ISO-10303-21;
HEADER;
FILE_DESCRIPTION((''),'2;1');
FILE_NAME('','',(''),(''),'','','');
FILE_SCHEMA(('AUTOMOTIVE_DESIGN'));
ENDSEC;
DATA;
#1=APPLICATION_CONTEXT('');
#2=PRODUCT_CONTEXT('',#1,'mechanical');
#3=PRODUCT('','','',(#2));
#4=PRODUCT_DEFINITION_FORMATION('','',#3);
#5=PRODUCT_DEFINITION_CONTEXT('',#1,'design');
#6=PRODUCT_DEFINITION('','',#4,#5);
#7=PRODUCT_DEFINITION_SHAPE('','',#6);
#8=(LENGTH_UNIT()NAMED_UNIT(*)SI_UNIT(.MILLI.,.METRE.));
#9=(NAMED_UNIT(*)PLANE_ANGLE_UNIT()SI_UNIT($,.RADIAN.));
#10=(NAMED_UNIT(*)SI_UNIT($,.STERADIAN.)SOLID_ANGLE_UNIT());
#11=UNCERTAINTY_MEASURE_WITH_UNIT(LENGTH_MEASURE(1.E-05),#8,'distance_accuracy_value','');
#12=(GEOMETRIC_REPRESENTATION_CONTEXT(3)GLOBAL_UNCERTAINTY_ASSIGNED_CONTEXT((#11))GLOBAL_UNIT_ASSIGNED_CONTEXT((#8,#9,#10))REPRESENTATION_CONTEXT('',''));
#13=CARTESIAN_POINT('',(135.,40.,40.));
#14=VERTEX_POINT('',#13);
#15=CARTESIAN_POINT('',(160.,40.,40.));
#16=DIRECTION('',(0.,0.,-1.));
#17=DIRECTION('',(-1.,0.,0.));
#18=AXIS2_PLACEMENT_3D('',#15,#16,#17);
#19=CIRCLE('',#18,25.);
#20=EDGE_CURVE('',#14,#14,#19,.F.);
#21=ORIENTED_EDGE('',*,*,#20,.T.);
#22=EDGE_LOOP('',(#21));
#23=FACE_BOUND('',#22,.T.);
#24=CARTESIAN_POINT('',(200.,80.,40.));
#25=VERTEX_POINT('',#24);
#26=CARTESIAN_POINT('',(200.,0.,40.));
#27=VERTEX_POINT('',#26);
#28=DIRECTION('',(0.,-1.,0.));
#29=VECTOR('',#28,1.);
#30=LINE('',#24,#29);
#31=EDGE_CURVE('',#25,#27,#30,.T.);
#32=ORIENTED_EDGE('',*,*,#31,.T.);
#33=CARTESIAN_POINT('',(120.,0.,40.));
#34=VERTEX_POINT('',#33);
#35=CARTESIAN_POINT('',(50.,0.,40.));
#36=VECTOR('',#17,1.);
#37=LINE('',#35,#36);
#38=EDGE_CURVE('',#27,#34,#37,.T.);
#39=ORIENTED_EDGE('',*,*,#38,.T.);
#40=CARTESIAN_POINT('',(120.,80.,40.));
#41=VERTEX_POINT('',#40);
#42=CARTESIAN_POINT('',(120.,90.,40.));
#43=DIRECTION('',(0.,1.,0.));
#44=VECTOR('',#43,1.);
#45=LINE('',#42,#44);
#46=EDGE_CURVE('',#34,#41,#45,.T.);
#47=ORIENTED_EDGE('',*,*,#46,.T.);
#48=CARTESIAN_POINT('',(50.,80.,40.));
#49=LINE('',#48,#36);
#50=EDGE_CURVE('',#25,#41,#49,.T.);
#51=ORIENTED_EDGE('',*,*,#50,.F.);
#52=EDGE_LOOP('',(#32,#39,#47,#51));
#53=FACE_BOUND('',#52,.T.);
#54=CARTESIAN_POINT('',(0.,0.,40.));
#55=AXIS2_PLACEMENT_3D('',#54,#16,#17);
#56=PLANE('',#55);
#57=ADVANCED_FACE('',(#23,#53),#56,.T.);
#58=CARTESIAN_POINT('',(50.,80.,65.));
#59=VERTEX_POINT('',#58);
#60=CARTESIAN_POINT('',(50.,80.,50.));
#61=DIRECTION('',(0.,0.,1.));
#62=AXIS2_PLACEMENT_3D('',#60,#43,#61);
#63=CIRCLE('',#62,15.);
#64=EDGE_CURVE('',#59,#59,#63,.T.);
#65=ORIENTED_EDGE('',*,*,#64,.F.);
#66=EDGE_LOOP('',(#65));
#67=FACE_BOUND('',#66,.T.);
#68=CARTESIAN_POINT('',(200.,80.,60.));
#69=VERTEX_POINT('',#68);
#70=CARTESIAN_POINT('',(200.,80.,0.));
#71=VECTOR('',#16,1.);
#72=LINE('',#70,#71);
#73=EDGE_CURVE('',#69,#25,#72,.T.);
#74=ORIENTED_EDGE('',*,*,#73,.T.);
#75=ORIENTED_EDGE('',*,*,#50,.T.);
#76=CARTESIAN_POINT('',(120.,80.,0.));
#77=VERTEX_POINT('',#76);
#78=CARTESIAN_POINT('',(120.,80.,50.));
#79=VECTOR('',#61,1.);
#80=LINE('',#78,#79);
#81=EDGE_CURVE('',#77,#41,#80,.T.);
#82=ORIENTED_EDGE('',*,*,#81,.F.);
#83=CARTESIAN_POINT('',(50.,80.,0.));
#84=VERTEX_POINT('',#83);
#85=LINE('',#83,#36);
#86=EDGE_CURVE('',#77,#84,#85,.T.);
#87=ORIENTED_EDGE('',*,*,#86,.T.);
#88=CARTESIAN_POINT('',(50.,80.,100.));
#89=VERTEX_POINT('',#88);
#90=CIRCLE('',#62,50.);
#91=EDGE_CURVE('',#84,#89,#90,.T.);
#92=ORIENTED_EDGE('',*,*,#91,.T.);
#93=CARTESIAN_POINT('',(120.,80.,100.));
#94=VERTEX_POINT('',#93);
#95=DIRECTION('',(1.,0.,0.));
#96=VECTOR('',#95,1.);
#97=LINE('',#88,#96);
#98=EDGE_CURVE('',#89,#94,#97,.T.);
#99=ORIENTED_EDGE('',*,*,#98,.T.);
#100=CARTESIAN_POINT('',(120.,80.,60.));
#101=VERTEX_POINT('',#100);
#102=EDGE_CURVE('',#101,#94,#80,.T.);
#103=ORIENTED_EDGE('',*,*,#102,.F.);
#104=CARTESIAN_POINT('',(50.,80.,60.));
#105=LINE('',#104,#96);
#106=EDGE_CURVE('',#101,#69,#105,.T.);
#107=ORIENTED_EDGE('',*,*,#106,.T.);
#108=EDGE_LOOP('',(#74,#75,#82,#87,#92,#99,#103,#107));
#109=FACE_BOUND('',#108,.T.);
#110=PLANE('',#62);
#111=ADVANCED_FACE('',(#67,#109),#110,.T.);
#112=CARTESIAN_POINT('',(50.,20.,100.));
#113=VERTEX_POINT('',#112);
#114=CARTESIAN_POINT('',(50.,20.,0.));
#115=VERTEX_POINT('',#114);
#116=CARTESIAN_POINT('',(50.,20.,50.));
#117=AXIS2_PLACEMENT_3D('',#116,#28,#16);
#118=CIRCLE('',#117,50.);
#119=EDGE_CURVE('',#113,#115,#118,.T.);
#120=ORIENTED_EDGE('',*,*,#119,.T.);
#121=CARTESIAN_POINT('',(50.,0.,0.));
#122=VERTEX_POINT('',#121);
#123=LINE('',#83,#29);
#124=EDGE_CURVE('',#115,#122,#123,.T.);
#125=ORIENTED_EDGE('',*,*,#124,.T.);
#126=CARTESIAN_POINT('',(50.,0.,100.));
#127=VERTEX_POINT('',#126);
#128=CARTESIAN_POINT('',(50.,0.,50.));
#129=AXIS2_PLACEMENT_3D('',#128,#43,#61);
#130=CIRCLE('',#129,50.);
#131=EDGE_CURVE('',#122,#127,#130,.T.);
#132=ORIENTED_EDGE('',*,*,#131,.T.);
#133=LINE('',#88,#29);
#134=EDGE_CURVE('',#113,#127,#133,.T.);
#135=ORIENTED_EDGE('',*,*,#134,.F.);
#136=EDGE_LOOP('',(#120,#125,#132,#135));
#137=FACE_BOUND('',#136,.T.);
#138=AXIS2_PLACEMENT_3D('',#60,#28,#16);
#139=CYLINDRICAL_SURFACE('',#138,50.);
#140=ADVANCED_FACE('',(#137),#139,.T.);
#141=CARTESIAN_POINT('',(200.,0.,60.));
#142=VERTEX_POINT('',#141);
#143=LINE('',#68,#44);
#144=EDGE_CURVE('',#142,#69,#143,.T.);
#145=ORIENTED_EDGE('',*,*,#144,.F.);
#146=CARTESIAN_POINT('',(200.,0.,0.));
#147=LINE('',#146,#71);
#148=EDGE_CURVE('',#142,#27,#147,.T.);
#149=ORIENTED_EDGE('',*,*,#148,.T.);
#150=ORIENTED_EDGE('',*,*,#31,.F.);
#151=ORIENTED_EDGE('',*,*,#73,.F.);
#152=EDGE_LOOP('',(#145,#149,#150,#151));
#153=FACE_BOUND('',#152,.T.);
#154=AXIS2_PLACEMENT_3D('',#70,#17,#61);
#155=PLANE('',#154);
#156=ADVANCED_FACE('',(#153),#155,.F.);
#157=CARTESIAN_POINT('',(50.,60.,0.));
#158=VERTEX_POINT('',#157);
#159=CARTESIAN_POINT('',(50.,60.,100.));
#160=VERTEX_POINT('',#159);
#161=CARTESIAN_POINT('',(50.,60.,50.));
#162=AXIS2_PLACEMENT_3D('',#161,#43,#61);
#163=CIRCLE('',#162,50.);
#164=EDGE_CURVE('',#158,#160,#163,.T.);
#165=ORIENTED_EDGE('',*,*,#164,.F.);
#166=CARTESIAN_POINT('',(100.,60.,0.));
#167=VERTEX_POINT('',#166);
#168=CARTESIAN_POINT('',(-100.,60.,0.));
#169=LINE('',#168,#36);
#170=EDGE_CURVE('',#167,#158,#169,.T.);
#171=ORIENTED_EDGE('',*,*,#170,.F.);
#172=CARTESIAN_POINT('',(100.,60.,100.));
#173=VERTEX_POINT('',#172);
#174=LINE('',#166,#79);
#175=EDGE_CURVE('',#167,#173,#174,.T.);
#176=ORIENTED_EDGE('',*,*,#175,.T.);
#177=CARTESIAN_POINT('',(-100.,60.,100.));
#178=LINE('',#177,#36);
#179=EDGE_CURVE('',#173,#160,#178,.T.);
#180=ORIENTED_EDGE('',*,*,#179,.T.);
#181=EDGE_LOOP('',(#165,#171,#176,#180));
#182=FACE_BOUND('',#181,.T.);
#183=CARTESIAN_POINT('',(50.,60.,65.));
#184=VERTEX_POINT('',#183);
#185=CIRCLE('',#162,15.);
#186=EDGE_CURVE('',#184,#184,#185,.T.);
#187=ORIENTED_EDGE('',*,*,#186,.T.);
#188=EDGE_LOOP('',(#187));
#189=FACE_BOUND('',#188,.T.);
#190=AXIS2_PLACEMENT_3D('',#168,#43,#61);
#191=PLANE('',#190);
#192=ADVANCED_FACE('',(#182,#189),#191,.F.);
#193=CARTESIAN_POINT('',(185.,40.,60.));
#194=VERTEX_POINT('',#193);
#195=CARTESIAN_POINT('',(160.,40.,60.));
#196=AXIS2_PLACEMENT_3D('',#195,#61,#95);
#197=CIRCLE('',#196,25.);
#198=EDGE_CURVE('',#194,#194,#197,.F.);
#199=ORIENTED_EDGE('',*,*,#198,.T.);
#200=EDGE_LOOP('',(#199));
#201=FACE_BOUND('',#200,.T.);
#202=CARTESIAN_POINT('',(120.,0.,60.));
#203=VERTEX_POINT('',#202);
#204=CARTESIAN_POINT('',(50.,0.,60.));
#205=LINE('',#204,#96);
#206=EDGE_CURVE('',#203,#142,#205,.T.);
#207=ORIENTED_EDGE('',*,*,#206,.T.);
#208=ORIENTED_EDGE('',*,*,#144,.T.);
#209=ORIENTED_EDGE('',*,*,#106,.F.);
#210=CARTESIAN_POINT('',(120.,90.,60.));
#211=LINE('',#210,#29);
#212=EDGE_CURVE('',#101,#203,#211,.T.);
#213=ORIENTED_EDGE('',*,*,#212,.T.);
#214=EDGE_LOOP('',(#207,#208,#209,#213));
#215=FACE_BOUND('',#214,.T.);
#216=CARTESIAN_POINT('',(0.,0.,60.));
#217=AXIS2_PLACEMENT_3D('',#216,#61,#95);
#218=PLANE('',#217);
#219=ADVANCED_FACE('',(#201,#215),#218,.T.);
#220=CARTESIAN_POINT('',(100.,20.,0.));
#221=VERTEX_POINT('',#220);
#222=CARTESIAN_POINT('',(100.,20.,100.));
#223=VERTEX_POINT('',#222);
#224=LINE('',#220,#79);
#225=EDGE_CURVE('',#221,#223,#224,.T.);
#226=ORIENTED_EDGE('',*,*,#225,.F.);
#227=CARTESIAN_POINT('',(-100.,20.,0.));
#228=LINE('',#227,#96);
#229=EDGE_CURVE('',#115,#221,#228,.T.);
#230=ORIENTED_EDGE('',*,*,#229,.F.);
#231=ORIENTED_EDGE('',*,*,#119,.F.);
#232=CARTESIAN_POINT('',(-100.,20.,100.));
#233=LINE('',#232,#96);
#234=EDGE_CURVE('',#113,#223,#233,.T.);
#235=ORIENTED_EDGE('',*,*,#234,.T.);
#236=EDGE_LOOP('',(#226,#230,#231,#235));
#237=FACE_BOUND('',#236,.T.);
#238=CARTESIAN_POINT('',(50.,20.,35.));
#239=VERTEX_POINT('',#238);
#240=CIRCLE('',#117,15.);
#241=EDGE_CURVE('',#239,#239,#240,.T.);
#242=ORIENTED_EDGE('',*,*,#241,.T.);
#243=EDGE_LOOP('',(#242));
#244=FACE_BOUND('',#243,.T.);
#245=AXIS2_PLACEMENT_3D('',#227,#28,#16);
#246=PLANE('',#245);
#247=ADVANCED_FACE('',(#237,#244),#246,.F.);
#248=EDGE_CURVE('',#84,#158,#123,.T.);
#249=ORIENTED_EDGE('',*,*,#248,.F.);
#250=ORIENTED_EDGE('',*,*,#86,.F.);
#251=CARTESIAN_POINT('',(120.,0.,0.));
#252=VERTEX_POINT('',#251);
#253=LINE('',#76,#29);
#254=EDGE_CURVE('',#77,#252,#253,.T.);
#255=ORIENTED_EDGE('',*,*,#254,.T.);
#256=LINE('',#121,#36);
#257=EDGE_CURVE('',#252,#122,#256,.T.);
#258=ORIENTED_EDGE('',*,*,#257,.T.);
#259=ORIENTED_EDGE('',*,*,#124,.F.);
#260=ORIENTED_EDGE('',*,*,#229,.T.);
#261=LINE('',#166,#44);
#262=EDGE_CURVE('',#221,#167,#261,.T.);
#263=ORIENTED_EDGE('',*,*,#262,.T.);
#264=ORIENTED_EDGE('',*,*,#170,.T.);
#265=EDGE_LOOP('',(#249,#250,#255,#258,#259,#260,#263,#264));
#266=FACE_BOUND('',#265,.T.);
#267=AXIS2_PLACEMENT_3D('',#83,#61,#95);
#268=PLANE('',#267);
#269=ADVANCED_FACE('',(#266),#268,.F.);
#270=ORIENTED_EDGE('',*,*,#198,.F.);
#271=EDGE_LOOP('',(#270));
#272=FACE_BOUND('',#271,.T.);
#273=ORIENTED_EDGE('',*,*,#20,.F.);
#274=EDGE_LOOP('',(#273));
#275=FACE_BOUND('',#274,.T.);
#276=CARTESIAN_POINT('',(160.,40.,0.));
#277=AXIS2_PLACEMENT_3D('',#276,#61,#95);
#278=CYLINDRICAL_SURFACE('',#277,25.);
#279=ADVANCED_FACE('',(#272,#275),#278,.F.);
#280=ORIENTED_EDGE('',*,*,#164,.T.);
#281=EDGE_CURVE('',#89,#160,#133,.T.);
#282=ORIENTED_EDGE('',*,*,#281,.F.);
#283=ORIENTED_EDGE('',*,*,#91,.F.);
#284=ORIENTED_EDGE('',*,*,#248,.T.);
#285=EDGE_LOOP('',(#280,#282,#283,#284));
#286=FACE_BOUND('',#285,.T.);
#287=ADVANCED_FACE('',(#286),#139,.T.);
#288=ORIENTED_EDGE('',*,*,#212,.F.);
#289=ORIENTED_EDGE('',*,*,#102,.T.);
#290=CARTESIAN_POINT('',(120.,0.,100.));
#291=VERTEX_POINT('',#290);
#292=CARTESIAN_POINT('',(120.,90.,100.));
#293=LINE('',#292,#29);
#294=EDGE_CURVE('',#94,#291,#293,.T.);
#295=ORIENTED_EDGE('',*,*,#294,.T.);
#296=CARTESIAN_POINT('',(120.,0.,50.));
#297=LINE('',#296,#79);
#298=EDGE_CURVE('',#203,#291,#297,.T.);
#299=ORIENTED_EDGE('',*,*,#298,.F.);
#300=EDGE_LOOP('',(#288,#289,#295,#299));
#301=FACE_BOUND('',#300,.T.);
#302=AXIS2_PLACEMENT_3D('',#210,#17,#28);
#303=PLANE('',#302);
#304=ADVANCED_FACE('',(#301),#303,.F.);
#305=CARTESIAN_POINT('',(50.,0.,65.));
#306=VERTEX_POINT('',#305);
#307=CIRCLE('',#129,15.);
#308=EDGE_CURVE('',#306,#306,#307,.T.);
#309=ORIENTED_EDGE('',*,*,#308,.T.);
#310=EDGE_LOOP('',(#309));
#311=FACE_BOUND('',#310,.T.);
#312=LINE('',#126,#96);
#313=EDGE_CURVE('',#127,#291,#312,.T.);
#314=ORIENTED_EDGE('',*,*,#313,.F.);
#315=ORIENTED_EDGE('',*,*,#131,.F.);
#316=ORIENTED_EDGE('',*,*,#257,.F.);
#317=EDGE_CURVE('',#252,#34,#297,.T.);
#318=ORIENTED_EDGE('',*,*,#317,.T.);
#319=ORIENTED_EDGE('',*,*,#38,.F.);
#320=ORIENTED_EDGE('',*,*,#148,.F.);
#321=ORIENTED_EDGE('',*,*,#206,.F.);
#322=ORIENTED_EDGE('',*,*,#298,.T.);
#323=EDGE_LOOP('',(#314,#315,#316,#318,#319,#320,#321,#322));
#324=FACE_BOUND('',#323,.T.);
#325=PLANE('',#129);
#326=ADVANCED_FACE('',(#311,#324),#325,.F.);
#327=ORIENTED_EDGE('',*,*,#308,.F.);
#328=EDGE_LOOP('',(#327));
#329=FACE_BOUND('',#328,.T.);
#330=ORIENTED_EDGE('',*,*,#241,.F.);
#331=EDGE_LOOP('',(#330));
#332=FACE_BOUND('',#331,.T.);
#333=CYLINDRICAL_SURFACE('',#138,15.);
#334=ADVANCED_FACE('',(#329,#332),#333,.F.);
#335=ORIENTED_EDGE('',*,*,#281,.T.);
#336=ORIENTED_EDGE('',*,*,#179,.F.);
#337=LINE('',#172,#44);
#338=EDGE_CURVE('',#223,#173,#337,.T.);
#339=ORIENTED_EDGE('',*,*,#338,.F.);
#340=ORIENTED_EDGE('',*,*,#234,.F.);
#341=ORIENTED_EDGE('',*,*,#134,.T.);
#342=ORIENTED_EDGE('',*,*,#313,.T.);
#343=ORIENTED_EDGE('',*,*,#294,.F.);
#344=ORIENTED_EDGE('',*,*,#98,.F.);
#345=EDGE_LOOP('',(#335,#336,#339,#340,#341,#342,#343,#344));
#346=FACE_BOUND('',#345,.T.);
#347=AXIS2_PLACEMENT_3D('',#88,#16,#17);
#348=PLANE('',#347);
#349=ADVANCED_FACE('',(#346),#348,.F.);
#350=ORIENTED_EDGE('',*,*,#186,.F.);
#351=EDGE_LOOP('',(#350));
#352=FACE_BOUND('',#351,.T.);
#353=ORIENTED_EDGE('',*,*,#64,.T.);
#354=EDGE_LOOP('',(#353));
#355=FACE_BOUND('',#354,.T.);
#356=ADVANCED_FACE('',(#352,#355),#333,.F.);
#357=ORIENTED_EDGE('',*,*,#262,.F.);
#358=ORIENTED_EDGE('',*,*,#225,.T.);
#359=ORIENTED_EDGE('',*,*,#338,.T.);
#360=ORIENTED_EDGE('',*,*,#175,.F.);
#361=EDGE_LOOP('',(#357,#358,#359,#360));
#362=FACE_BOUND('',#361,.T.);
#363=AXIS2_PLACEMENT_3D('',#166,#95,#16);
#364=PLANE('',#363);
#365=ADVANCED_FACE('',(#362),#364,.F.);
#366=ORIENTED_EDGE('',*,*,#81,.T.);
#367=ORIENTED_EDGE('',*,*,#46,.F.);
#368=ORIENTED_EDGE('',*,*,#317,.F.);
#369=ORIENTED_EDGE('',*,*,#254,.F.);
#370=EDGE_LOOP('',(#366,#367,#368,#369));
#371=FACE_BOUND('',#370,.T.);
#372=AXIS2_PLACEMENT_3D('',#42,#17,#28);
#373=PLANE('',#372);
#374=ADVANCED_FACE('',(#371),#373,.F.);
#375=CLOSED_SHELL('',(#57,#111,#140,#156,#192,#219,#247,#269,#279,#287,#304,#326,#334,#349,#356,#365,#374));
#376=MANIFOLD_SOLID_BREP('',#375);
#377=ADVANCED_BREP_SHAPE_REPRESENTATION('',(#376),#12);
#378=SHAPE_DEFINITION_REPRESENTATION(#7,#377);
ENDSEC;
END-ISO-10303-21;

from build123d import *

# Parameters (mm, degrees)
SKETCH_1_R          = 15
EXTRUDE_1_DEPTH     = 80
SKETCH_5_R          = 25
SKETCH_5_W          = 200
SKETCH_5_H          = 40
CUT_EXTRUDE_5_DEPTH = 100
SKETCH_6_W          = 100
SKETCH_6_H          = 100
CUT_EXTRUDE_7_DEPTH = 40
SKETCH_8_W          = 100
SKETCH_8_H          = 100
CUT_EXTRUDE_8_DEPTH = 40


with BuildPart() as part:
    # 草图1 → 凸台-拉伸1 (new body)
    with BuildSketch(Plane(origin=(0, 0, 0), x_dir=(1, 0, 0), z_dir=(0, 1, 0))):
        with BuildLine():
            Line((50, 0), (200, 0))
            Line((200, 0), (200, -100))
            Line((200, -100), (50, -100))
            ThreePointArc((50, -100), (0, -50), (50, 0))
        make_face()
        with Locations(Location((50, -50, 0), (0, 0, 270))):
            Circle(SKETCH_1_R, mode=Mode.SUBTRACT)
    extrude(amount=EXTRUDE_1_DEPTH)

    # 草图5 → 切除-拉伸5 (cut)
    with BuildSketch(Plane.XY.offset(100)):
        with Locations((160, 40)):
            Circle(SKETCH_5_R)
        with Locations((0, 40)):
            Rectangle(SKETCH_5_W, SKETCH_5_H)
    extrude(amount=-CUT_EXTRUDE_5_DEPTH, mode=Mode.SUBTRACT)

    # 草图6 → 切除-拉伸7 (cut)
    with BuildSketch(Plane.XY.offset(100)):
        with Locations((170, 40)):
            Rectangle(SKETCH_6_W, SKETCH_6_H)
    extrude(amount=-CUT_EXTRUDE_7_DEPTH, mode=Mode.SUBTRACT)

    # 草图8 → 切除-拉伸8 (cut)
    with BuildSketch(Plane(origin=(0, 0, 0), x_dir=(-1, 0, 0), z_dir=(0, 0, -1))):
        with Locations((-170, 40)):
            Rectangle(SKETCH_8_W, SKETCH_8_H)
    extrude(amount=-CUT_EXTRUDE_8_DEPTH, mode=Mode.SUBTRACT)


solid = part.part
